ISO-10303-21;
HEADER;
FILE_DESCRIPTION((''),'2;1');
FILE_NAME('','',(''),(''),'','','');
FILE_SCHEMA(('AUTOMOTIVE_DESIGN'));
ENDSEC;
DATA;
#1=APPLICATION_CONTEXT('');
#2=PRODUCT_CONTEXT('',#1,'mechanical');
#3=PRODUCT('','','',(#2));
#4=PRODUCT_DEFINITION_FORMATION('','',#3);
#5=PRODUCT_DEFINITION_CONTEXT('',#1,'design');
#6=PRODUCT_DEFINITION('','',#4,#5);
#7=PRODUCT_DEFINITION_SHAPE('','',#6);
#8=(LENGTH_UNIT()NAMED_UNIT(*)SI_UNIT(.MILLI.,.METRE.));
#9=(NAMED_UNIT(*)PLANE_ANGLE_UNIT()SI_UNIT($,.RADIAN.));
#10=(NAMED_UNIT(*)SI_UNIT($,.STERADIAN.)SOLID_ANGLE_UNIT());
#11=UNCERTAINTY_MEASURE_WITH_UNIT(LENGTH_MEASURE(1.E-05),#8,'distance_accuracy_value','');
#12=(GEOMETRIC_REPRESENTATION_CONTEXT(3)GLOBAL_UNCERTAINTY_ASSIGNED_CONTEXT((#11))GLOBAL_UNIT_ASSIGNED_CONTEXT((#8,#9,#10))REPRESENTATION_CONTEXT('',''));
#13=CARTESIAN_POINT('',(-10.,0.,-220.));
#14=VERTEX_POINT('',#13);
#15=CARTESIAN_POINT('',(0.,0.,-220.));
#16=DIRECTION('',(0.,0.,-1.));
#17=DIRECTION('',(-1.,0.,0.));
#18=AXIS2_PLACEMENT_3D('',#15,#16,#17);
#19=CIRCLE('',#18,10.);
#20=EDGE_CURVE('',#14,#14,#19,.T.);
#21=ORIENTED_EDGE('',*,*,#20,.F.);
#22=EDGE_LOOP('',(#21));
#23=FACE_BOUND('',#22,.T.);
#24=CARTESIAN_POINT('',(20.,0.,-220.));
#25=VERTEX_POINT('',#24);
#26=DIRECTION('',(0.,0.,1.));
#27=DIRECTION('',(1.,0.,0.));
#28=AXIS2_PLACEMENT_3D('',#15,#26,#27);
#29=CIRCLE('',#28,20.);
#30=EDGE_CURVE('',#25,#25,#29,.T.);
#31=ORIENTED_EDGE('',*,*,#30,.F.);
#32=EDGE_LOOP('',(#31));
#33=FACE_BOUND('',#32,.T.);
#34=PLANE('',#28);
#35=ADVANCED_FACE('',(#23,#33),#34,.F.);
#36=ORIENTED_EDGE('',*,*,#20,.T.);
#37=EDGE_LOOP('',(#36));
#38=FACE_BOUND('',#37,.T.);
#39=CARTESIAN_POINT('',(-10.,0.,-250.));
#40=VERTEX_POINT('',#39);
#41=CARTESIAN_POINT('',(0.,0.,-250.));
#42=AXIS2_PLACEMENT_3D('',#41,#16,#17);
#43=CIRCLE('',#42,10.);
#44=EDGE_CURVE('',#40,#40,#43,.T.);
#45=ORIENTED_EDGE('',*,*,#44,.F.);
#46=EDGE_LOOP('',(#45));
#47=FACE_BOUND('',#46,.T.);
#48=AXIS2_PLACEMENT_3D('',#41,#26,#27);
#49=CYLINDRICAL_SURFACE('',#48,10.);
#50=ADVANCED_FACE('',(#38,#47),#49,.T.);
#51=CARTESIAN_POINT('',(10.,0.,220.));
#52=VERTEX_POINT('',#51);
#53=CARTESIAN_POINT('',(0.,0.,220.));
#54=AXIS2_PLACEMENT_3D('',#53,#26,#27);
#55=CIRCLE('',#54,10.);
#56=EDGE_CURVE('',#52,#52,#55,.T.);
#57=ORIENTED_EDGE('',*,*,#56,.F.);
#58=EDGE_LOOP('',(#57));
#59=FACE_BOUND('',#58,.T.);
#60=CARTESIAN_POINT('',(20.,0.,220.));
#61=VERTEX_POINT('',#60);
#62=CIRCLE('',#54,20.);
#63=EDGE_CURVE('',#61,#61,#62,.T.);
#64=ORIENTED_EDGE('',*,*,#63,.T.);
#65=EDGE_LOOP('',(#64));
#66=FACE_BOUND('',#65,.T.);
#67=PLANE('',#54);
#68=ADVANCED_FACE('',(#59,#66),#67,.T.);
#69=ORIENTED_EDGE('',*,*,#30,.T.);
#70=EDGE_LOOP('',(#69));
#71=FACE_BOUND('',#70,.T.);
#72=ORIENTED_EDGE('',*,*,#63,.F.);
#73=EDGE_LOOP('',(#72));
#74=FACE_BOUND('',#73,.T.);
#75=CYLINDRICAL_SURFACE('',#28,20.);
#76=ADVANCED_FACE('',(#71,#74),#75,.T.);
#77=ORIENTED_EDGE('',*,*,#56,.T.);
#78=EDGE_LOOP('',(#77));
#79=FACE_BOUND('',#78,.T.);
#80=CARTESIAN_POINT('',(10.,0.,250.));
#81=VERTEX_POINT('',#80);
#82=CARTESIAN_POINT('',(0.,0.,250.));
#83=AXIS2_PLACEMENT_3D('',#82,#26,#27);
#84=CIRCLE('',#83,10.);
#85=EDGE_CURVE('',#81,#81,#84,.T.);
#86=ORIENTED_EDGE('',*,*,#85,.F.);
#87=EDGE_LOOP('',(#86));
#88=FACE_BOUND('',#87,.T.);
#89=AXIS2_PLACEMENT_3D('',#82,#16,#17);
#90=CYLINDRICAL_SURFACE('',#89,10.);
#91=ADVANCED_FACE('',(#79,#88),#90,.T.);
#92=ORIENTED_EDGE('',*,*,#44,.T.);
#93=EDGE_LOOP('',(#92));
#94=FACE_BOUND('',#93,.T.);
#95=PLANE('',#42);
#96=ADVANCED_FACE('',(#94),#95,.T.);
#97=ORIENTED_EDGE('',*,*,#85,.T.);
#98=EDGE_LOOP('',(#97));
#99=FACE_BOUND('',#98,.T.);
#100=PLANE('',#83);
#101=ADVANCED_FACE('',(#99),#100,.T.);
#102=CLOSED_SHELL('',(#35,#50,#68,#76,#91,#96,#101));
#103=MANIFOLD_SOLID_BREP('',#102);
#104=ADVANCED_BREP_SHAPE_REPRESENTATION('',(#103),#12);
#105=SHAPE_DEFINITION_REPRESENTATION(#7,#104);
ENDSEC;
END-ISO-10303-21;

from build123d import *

# Parameters (mm, degrees)
BOSS_EXTRUDE1_DEPTH      = 220
BOSS_EXTRUDE1_DEPTH_BACK = 220
SKETCH2_R                = 20
SKETCH3_R                = 10
BOSS_EXTRUDE2_DEPTH      = 30
BOSS_EXTRUDE3_START      = 30
SKETCH4_R                = 10
BOSS_EXTRUDE3_DEPTH      = 30


with BuildPart() as part:
    # Sketch2 → Boss-Extrude1 (new, two sides: drawn at the far end of the back side and taken through both)
    with BuildSketch(Plane.XY.offset(-BOSS_EXTRUDE1_DEPTH_BACK)):
        Circle(SKETCH2_R)
    extrude(amount=BOSS_EXTRUDE1_DEPTH + BOSS_EXTRUDE1_DEPTH_BACK)

    # Sketch3 → Boss-Extrude2 (add)
    with BuildSketch(Plane.XY.offset(220)):
        Circle(SKETCH3_R)
    extrude(amount=BOSS_EXTRUDE2_DEPTH)

    # Sketch4 → Boss-Extrude3 (add)
    with BuildSketch(Plane(origin=(0, 0, -220), x_dir=(-1, 0, 0), z_dir=(0, 0, -1)).offset(BOSS_EXTRUDE3_START)):
        Circle(SKETCH4_R)
    extrude(amount=-BOSS_EXTRUDE3_DEPTH)


solid = part.part
